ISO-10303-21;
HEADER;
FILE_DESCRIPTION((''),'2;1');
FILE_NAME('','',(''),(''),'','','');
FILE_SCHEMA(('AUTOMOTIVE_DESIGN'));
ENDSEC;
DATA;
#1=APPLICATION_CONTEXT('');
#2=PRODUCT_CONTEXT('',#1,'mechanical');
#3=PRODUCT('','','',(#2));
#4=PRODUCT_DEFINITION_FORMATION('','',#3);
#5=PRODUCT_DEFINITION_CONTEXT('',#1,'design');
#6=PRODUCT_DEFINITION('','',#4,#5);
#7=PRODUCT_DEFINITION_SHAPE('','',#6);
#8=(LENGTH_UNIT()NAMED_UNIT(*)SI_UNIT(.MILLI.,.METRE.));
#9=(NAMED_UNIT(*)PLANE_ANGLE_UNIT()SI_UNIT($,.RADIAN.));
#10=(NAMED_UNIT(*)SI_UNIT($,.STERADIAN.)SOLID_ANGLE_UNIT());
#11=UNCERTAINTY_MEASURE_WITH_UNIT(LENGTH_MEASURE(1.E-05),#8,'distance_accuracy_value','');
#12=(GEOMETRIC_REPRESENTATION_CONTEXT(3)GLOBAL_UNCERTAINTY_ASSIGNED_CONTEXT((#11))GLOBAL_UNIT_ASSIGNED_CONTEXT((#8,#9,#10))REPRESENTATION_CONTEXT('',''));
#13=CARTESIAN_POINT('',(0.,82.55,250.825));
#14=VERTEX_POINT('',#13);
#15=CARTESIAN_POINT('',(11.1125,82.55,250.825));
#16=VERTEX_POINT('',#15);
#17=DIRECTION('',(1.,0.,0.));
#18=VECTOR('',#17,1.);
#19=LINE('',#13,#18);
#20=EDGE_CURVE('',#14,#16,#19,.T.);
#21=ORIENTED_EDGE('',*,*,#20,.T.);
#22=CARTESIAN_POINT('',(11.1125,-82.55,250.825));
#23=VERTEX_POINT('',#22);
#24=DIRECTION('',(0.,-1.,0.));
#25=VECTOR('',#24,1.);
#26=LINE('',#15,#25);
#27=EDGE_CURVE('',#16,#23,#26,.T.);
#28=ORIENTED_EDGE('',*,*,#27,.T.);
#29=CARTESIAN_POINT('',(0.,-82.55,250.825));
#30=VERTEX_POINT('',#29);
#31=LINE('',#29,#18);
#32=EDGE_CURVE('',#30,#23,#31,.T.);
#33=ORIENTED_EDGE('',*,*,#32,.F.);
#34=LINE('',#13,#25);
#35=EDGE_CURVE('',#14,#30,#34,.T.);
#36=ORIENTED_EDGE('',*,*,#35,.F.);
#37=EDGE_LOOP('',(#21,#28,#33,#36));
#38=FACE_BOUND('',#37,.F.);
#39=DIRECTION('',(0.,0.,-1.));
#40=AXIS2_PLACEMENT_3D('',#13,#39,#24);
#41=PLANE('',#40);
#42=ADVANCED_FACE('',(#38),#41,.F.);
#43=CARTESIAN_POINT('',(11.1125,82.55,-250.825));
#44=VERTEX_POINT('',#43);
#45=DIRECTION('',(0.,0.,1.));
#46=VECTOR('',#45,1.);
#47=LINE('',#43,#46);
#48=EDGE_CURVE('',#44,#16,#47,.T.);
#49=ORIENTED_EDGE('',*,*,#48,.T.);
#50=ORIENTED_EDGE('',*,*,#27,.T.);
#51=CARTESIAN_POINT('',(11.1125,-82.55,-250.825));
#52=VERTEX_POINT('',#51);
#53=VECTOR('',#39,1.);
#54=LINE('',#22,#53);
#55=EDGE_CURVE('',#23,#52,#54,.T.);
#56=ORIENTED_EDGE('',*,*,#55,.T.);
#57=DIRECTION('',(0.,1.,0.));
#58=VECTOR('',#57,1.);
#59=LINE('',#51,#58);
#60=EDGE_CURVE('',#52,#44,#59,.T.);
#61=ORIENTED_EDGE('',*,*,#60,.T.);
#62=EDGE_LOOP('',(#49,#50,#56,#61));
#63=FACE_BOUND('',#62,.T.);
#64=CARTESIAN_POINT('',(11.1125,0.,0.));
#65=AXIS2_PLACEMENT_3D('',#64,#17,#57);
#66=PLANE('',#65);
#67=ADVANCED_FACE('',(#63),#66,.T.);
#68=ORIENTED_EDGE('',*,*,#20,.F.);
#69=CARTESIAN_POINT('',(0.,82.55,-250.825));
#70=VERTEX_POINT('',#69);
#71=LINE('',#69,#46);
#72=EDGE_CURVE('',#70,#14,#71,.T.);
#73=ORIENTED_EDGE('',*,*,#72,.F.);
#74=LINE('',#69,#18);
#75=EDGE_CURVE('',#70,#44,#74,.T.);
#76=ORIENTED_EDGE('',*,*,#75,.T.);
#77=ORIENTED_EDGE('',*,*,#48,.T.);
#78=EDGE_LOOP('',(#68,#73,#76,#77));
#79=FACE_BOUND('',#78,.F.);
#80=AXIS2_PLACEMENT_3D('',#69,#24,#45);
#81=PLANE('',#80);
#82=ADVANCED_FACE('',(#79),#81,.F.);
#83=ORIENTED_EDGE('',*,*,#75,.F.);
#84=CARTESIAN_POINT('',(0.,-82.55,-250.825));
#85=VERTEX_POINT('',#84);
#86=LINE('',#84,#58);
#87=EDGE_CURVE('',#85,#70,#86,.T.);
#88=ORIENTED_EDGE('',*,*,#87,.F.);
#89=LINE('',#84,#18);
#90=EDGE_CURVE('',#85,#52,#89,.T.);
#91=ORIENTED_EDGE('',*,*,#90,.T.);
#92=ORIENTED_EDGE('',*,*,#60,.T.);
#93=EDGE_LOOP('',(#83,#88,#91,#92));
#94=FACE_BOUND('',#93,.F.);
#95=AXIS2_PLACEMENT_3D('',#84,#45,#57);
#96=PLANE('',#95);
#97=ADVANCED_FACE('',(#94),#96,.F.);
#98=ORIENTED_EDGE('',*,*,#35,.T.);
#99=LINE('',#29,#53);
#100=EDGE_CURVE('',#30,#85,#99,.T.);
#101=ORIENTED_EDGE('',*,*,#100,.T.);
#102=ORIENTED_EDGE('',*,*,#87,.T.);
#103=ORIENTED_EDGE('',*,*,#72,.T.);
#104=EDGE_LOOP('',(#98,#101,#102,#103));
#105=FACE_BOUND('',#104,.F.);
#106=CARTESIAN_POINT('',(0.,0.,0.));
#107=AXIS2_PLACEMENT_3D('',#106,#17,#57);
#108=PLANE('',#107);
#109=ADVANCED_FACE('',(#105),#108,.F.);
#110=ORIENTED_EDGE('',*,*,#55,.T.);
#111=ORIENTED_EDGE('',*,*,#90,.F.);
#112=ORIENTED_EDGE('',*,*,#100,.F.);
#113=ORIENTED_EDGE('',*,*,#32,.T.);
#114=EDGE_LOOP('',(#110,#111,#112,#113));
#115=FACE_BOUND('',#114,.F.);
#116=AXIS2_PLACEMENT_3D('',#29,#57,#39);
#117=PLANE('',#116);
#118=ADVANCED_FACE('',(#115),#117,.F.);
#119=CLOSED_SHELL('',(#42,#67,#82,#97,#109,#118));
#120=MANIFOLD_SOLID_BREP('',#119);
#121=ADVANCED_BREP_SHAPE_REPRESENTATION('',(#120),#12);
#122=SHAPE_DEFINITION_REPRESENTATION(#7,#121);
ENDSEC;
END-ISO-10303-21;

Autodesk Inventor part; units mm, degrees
ref_plane "YZ Plane" through (0, 0, 0) normal (1, 0, 0) x (0, 1, 0)
ref_plane "XZ Plane" through (0, 0, 0) normal (0, 1, 0) x (-1, 0, 0)
ref_plane "XY Plane" through (0, 0, 0) normal (0, 0, 1) x (1, 0, 0)
sketch "Sketch1" plane through (0, 0, 0) normal (1, 0, 0) x (0, 1, 0)
  line L0 (-82.55, 250.825) -> (-82.55, -250.825)
  line L1 (-82.55, -250.825) -> (82.55, -250.825)
  line L2 (82.55, -250.825) -> (82.55, 250.825)
  line L3 (82.55, 250.825) -> (-82.55, 250.825)
  line L4 (-82.55, 250.825) -> (82.55, -250.825) construction
  line L5 (-82.55, -250.825) -> (82.55, 250.825) construction
  point P0 (0, 0)
  dimension "d0" = 501.65
  dimension "d1" = 165.1
extrude "Extrusion1" add sketch "Sketch1" along normal blind 11.1125
properties part number "Home Depot Composite Slat 19_75 in" material "Wood (Cherry)"
